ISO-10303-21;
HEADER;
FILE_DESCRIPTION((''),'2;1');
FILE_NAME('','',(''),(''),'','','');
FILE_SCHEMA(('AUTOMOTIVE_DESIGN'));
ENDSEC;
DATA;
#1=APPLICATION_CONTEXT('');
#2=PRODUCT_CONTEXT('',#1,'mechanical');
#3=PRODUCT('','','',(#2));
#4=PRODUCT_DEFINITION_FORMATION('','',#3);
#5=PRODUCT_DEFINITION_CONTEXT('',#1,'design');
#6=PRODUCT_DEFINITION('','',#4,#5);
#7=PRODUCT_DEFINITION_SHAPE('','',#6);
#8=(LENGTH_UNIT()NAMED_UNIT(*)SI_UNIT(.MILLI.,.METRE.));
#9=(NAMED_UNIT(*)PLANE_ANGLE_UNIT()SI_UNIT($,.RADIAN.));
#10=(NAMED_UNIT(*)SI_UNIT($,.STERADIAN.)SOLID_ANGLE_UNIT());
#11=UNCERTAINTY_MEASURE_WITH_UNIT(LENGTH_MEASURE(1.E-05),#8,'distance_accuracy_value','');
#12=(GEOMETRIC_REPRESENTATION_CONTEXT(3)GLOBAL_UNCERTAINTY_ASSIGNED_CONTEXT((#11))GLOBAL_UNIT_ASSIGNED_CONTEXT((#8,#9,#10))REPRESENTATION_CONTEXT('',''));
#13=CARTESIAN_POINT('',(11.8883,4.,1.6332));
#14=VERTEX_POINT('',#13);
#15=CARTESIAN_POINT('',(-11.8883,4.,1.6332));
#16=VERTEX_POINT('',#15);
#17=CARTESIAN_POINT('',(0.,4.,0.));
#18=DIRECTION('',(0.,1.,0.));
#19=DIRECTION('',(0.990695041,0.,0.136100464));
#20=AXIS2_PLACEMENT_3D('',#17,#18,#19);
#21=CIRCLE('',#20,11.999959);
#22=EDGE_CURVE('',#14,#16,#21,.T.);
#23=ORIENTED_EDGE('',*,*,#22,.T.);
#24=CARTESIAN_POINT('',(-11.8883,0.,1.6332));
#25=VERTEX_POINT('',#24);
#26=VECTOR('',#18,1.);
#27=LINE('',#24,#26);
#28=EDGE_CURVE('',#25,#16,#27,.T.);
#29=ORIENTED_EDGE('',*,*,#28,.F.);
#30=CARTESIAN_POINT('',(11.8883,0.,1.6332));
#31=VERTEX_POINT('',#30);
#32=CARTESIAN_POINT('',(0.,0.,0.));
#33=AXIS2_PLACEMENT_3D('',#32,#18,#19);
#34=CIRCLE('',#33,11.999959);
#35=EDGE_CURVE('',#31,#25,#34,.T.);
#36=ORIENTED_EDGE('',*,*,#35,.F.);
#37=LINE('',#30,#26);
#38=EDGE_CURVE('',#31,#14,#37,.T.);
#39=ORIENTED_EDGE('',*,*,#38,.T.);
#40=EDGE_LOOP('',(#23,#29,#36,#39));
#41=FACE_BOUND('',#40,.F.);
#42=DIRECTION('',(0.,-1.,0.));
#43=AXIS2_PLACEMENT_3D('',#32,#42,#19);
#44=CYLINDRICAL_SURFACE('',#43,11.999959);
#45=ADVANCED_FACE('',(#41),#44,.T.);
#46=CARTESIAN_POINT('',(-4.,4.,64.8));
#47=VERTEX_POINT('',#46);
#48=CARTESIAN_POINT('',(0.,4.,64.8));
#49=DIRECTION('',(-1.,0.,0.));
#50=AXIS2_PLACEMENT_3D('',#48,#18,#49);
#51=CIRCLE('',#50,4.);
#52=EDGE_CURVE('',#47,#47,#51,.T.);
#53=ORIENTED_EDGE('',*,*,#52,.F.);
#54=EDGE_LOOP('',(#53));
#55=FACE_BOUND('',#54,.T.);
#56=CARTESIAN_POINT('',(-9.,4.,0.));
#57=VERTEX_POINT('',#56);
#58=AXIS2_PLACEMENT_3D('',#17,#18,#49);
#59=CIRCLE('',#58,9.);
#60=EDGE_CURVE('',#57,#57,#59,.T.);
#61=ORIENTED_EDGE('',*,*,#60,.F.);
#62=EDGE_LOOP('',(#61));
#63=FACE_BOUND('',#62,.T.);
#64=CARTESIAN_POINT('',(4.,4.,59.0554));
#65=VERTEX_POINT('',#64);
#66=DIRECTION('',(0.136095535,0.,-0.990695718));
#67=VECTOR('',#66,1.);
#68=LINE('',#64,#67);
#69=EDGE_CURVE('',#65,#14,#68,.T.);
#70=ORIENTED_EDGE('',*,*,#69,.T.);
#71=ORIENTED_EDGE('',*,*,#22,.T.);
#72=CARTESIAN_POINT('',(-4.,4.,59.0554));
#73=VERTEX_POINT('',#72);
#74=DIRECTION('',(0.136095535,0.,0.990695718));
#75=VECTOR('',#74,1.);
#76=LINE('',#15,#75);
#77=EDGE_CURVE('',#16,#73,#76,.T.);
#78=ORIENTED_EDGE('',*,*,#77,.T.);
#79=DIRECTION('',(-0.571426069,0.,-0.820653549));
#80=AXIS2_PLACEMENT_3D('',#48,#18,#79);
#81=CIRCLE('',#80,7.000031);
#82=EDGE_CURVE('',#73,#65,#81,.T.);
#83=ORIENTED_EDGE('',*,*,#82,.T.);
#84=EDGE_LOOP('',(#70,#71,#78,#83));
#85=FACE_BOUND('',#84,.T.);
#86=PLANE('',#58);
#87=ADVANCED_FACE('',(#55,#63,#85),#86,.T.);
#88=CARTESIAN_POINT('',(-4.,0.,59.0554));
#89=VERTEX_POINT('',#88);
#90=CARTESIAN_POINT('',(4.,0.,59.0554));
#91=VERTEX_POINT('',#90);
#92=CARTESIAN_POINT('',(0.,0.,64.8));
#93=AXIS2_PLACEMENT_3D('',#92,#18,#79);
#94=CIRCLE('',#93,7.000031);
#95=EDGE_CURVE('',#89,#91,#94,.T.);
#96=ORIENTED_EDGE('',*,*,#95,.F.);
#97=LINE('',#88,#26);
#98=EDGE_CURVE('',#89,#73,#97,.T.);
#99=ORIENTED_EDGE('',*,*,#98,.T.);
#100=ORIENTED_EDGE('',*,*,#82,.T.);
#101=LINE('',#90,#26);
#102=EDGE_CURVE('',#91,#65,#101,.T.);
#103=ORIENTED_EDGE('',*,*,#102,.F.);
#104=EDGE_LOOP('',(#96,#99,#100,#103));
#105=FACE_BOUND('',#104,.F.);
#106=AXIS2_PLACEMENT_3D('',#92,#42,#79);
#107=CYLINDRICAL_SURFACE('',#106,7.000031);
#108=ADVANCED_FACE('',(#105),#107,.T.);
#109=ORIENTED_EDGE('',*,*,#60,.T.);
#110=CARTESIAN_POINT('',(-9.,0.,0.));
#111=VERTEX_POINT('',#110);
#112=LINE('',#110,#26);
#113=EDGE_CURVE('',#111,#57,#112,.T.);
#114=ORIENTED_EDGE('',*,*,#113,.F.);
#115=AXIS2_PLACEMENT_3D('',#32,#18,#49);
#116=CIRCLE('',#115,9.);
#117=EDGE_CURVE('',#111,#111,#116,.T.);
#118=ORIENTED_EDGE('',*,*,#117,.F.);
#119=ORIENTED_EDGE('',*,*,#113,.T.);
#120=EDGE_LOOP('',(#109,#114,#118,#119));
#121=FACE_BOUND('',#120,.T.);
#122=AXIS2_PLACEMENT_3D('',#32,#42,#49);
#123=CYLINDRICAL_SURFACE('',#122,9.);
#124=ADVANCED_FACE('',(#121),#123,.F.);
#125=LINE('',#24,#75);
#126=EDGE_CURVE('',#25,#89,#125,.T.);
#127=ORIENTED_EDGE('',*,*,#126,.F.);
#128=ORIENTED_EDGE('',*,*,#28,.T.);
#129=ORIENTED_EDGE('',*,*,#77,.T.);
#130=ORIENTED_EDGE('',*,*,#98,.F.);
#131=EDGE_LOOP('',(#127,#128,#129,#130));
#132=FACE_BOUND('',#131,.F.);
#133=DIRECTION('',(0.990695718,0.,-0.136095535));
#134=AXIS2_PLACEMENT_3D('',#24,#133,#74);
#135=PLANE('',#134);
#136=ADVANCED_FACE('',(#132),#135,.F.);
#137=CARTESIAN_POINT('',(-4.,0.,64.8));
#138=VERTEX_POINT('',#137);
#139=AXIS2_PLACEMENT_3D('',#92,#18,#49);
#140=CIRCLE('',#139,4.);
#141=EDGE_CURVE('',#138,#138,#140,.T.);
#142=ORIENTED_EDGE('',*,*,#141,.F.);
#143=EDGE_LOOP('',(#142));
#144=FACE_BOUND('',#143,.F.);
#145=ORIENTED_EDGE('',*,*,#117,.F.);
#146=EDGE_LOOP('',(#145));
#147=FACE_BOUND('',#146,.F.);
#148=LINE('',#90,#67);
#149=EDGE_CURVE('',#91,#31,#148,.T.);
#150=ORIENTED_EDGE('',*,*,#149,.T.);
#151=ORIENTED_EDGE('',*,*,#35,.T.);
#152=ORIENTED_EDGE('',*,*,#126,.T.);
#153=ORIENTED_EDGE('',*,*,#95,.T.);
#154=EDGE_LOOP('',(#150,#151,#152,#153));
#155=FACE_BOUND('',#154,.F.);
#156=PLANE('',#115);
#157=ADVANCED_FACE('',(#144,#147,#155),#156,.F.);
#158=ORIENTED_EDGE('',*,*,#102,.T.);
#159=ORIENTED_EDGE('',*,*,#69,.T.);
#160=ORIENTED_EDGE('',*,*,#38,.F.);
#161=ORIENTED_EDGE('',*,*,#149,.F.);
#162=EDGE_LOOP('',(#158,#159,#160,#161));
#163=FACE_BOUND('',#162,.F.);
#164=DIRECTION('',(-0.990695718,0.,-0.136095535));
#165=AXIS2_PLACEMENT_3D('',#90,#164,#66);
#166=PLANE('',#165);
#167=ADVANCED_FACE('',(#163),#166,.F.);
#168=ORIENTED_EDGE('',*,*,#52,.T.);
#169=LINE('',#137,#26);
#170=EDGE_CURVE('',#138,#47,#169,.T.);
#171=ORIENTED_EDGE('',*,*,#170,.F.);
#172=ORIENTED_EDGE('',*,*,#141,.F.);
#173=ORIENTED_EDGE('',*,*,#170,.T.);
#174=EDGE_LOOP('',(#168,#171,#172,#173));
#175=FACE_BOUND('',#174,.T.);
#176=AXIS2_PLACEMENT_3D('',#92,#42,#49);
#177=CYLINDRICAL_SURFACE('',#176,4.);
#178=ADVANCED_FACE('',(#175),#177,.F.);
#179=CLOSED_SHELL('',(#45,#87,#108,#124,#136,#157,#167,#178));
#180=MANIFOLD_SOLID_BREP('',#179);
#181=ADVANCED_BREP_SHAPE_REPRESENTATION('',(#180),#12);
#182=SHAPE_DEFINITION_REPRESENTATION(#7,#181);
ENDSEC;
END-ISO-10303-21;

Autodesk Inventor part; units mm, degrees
ref_plane "YZ Plane" through (0, 0, 0) normal (1, 0, 0) x (0, 1, 0)
ref_plane "XZ Plane" through (0, 0, 0) normal (0, 1, 0) x (-1, 0, 0)
ref_plane "XY Plane" through (0, 0, 0) normal (0, 0, 1) x (1, 0, 0)
sketch "Sketch2" plane through (0, 0, 0) normal (0, 1, 0) x (-1, 0, 0)
  line L0 (0, -28.76) -> (0, 88.56) construction
  circle A0 centre (0, 64.8) radius 4
  arc A1 (4, 59.0554) -> (-4, 59.0554) centre (0, 64.8) ccw
  line L1 (-4, 59.0554) -> (-11.8883, 1.6332)
  line L2 (11.8883, 1.6332) -> (4, 59.0554)
  circle A2 centre (0, 0) radius 9
  arc A3 (-11.8883, 1.6332) -> (11.8883, 1.6332) centre (0, 0) ccw
  dimension "d7" = 3
  dimension "d8" = 8
  dimension "d22" = 64.8
  dimension "d25" = 3
  dimension "d26" = 18
  dimension "d27" = 8
extrude "Extrusion1" add sketch "Sketch2" along normal blind 4
properties part number "P012" material "Iron, Gray"
